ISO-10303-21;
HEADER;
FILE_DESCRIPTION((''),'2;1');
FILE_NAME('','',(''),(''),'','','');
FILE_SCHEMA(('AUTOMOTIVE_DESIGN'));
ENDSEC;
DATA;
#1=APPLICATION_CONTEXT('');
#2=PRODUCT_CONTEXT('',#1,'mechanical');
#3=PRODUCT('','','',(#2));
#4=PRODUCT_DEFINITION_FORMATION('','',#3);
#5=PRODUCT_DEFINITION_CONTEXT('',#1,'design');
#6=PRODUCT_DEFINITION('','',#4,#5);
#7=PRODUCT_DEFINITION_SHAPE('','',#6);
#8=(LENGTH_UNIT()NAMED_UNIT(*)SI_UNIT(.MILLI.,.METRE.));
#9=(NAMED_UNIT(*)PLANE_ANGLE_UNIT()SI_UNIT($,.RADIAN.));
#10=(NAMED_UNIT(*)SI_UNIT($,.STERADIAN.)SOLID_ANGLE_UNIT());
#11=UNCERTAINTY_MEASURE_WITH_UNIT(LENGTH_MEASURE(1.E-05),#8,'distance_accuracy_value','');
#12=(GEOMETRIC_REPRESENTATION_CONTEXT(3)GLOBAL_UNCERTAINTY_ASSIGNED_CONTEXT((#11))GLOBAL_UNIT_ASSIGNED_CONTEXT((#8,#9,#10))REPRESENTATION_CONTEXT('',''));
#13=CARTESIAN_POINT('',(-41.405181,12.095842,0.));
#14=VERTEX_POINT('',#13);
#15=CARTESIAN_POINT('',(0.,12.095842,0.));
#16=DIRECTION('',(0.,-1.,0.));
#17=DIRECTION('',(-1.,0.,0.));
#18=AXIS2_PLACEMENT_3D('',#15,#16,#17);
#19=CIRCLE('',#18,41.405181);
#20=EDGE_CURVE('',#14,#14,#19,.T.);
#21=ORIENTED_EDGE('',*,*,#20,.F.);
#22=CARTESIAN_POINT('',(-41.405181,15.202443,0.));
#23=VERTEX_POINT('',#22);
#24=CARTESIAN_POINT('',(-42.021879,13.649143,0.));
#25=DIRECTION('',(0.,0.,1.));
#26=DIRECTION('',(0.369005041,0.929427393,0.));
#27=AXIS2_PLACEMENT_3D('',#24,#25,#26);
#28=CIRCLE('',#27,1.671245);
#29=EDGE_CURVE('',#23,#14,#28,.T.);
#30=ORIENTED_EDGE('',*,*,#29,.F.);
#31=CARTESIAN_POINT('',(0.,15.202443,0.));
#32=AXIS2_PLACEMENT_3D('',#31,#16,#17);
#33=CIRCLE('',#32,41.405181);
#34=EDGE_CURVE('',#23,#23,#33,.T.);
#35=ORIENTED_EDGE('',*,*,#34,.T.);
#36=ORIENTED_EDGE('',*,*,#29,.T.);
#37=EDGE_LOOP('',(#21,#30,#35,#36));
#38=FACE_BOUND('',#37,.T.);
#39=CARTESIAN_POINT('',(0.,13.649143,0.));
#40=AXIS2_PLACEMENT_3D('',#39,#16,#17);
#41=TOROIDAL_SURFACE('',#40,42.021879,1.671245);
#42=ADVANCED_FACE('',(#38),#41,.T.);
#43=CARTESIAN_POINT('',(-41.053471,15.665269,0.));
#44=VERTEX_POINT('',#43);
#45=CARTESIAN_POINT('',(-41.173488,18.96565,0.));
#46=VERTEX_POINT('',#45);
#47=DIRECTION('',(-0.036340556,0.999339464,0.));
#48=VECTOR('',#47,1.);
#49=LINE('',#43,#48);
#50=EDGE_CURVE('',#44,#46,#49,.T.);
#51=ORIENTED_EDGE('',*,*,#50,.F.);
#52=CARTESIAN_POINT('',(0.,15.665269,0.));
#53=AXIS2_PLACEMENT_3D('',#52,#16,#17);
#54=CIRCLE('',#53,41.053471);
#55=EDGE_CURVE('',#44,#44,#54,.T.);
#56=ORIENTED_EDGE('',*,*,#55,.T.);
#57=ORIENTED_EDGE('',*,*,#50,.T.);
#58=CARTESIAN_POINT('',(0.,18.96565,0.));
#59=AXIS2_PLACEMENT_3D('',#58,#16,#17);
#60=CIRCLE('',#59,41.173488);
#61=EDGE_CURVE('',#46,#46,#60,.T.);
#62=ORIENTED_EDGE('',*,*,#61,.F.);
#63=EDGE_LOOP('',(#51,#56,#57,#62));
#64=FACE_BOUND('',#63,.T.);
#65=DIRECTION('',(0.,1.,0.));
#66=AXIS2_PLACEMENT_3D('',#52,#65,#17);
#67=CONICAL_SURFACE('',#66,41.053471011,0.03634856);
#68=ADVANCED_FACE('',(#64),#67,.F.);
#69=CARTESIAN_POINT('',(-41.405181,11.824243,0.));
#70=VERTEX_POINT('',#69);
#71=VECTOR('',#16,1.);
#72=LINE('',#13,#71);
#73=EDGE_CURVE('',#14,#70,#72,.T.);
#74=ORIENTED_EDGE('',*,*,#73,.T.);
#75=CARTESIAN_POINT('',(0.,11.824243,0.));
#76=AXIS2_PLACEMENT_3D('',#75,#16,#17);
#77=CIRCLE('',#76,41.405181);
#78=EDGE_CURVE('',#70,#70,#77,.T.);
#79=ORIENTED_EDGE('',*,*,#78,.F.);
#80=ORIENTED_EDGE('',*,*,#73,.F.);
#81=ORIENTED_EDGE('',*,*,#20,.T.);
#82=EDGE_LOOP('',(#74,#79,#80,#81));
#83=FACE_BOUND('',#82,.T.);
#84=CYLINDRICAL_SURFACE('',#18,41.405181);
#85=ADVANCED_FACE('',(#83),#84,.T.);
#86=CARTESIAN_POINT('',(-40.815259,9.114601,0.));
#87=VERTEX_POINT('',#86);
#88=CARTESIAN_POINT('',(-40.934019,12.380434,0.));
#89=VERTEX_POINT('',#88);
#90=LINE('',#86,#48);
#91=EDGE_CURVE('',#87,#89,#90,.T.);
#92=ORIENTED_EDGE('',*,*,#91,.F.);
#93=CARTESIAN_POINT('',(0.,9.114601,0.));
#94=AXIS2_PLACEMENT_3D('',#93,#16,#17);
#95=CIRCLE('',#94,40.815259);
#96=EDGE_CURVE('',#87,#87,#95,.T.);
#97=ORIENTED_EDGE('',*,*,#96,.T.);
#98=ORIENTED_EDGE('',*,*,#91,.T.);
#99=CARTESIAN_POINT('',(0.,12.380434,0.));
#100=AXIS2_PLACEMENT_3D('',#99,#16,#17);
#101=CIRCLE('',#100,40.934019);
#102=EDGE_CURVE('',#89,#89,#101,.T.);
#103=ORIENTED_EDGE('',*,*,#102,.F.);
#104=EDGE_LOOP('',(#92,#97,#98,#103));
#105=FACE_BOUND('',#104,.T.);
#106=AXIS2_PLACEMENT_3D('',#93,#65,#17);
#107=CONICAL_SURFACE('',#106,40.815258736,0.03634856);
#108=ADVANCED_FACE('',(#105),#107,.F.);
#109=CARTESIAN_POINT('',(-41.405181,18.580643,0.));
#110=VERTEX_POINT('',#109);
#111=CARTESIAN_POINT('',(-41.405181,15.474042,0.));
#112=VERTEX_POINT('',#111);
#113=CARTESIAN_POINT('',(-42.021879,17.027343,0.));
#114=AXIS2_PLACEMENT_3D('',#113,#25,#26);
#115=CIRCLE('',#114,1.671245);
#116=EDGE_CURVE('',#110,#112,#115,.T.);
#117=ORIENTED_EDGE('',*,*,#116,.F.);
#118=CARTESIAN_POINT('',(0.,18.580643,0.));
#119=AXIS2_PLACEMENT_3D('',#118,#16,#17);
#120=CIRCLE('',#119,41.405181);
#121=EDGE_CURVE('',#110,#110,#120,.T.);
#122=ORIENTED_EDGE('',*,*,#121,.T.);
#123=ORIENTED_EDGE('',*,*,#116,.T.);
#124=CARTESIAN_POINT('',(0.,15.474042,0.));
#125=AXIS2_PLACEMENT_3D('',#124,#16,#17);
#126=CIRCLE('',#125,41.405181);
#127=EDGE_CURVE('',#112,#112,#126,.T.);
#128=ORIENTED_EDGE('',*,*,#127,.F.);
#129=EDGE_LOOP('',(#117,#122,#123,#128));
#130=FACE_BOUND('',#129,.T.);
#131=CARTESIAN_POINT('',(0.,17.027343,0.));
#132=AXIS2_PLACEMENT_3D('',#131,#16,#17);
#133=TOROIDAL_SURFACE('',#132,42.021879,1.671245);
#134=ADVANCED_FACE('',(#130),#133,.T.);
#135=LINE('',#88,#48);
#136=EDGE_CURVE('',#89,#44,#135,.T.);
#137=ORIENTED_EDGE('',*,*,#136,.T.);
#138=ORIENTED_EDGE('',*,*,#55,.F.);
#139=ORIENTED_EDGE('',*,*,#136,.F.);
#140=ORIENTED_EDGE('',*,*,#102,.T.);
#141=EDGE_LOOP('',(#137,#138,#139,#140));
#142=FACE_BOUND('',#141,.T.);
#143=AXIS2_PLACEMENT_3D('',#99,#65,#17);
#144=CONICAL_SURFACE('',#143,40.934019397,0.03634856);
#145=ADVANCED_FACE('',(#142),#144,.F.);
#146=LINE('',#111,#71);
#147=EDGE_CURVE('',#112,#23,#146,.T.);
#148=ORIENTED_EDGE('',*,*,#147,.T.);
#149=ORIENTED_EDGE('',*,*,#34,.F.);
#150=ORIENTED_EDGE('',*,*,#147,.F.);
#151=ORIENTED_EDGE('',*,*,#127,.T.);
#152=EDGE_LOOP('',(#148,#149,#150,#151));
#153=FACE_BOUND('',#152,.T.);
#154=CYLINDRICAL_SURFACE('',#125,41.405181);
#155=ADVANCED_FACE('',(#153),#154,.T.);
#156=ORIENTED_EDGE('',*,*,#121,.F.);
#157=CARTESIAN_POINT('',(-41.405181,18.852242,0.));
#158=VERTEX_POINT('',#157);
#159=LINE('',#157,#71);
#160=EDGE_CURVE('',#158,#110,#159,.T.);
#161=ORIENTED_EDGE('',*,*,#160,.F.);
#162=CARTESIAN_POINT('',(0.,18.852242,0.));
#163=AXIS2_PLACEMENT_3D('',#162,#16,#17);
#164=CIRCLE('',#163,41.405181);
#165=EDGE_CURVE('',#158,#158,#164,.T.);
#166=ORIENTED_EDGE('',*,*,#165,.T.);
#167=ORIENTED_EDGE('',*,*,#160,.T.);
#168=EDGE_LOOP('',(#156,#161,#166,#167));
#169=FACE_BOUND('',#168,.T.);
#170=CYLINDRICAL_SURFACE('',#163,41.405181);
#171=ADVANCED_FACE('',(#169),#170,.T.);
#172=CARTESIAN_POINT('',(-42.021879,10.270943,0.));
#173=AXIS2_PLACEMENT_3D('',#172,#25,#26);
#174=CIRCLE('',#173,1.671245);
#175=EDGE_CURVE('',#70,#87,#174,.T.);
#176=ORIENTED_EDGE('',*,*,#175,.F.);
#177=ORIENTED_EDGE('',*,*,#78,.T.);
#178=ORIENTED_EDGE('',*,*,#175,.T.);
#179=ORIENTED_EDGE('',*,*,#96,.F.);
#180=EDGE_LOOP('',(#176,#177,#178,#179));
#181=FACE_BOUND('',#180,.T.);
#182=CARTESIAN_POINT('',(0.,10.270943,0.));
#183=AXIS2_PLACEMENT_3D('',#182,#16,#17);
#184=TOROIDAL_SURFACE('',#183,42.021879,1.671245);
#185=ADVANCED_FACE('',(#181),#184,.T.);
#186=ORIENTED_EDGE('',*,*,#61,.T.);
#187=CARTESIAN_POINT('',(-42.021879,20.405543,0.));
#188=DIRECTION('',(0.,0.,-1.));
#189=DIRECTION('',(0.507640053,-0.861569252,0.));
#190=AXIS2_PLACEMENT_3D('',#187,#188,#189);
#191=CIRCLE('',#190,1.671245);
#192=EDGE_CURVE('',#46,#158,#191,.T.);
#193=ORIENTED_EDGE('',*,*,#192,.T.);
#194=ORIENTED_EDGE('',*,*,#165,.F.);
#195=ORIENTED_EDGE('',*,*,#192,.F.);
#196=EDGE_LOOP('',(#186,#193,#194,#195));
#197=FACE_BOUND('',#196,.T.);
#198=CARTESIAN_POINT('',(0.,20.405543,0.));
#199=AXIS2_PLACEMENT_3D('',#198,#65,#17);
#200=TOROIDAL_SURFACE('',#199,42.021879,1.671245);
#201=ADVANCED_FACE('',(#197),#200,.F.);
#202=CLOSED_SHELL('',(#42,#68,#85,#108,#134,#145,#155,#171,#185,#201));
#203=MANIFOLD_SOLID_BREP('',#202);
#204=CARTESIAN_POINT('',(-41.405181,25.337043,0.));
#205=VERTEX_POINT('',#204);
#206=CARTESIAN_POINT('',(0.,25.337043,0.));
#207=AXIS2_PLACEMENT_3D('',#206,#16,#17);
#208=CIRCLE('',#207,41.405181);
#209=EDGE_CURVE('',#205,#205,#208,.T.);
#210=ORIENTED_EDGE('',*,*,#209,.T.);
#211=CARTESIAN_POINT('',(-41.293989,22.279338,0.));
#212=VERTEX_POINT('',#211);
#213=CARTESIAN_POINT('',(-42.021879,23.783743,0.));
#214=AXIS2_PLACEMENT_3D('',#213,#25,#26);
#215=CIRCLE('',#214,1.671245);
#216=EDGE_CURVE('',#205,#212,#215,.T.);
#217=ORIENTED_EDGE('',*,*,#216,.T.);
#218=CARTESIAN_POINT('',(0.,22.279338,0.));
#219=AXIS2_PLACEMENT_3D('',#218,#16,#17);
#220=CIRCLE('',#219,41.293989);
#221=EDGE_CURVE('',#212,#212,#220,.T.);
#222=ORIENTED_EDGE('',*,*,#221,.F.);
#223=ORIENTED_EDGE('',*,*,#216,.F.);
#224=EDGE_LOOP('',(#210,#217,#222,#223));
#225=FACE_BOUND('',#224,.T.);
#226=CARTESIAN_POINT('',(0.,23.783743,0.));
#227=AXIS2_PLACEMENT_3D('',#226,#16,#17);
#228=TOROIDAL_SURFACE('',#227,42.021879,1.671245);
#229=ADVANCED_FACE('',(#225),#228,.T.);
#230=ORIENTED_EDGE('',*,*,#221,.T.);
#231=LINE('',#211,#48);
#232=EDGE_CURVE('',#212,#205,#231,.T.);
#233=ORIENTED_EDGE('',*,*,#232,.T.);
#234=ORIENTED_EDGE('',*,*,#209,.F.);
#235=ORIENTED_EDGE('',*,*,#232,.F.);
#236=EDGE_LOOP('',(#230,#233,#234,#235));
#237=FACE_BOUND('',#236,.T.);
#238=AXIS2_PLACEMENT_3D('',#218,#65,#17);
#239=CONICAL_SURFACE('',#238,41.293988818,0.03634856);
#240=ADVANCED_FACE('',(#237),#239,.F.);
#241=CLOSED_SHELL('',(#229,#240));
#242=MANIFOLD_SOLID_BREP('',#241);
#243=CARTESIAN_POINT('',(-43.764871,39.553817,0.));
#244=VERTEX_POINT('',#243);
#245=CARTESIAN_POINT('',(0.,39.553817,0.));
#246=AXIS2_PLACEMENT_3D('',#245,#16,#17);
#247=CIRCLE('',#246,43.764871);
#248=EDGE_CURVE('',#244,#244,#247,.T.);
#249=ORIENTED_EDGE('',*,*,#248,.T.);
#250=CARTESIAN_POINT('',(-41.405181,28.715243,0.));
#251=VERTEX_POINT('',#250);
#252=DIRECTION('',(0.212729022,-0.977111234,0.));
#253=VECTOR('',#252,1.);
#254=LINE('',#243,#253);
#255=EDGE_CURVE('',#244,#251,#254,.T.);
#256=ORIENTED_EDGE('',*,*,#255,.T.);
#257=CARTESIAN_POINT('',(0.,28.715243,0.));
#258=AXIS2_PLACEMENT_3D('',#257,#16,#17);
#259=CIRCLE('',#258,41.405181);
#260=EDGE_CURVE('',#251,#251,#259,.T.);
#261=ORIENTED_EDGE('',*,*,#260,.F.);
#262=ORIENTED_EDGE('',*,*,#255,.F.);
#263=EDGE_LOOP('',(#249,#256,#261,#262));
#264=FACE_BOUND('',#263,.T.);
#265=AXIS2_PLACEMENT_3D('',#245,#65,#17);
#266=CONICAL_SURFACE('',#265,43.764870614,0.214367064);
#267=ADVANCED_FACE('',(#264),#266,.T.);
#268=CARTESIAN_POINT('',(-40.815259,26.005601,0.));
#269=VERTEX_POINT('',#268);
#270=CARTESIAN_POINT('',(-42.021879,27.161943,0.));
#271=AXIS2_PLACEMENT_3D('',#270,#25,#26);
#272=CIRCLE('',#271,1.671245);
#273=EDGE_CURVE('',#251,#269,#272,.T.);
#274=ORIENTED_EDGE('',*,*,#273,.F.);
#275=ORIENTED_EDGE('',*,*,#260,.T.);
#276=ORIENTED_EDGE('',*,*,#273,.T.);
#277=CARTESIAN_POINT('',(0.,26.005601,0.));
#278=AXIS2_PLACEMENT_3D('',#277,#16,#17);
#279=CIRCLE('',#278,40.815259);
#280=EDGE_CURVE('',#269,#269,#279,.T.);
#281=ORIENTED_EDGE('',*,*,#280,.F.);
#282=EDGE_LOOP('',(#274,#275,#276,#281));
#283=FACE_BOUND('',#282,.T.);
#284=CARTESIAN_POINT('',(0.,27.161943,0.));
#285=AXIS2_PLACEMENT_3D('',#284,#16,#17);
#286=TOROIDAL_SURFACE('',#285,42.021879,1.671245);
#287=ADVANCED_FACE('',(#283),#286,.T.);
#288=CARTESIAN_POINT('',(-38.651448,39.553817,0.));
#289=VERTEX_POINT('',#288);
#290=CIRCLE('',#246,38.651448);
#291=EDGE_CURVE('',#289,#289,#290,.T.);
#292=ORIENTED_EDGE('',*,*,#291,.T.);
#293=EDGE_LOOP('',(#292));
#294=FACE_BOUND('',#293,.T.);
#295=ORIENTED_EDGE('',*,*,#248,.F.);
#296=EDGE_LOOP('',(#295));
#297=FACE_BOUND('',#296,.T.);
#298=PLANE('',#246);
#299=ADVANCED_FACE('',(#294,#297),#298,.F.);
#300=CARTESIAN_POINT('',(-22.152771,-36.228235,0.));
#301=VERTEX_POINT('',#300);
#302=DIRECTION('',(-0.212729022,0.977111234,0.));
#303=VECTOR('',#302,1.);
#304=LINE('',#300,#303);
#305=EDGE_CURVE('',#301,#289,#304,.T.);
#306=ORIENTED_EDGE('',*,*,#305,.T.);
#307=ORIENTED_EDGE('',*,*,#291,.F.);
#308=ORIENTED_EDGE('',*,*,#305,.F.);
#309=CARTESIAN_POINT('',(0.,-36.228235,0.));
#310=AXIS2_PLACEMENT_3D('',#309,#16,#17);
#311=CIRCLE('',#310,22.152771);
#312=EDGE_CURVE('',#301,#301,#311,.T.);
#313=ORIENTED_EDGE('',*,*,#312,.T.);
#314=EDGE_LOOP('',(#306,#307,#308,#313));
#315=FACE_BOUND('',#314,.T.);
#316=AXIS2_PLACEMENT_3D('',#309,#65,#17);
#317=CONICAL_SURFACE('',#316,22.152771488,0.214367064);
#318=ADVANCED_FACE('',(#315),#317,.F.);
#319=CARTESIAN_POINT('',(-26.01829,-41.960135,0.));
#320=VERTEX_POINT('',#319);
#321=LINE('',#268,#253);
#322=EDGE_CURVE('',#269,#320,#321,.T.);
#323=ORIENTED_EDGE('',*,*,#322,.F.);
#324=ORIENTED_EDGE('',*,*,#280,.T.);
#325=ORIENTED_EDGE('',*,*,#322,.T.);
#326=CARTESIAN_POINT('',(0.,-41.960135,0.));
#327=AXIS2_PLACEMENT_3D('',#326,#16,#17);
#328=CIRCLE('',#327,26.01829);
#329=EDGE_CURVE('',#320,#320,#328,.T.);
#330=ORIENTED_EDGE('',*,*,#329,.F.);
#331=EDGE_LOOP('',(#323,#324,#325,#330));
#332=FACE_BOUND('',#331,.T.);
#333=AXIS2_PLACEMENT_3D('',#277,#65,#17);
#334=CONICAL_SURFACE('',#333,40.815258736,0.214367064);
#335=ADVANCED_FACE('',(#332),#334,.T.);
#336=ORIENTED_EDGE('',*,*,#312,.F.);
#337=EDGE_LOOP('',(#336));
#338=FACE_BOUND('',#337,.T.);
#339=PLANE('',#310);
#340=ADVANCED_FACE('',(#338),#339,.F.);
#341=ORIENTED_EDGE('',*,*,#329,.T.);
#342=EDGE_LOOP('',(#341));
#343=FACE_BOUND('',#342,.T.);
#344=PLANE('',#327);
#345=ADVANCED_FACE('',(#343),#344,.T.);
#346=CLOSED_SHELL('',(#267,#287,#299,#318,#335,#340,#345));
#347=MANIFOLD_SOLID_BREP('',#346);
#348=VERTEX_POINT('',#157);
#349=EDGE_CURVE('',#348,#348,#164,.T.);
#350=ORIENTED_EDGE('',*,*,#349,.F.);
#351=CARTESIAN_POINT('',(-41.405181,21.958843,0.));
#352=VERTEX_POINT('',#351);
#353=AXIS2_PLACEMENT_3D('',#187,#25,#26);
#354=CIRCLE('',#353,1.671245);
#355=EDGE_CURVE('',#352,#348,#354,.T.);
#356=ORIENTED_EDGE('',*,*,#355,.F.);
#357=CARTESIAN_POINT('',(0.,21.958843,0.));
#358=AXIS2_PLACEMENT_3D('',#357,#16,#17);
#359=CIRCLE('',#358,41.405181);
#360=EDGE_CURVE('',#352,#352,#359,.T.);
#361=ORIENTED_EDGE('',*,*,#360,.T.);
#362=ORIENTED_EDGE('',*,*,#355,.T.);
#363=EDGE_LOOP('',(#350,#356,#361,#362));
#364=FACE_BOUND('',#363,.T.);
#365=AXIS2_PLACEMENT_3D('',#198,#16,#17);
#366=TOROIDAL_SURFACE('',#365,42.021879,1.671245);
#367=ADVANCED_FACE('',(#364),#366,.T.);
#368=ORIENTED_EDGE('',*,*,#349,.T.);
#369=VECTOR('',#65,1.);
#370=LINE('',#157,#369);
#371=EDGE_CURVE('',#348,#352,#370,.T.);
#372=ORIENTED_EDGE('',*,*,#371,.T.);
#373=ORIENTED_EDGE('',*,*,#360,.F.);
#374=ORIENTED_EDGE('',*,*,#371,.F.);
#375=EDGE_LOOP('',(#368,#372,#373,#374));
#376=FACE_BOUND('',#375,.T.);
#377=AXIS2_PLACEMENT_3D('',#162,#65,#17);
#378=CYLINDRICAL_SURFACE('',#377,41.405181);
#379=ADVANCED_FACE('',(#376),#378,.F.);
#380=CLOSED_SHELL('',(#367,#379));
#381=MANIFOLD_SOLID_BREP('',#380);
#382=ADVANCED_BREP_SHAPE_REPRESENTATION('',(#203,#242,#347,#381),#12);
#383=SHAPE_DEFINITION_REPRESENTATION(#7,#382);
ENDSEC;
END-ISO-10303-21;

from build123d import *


with BuildPart() as f1:
    # F0 (on Top) → F1 (revolve)
    with BuildSketch(Plane.XY):
        Polygon((-38.6514477432, 39.5538173616), (-43.7648706138, 39.5538173616), (-41.4051810003, 28.7152434676), (-40.8152587359, 26.0056006323), (-26.0182898492, -41.9601351023), (0, -41.9601351023), (0, -36.228234955), (-22.1527714884, -36.228234955), align=None)
        with BuildLine():
            Line((-40.8152587359, 26.0056006323), (-41.4051810003, 28.7152434676))
            ThreePointArc((-41.4051810003, 28.7152434676), (-43.6548707754, 26.8064205388), (-40.8152587359, 26.0056006323))
        make_face()
    revolve(axis=Axis((0, -39.0941850286, 0), (0, -1, 0)))


with BuildPart() as f1b:
    # F0 (on Top) → F1, piece 2 (revolve)
    with BuildSketch(Plane.XY):
        with BuildLine():
            Line((-40.8152587359, 9.1146006323), (-40.9340193967, 12.3804343653))
            ThreePointArc((-40.9340193967, 12.3804343653), (-41.1578029934, 12.2186071845), (-41.4051810003, 12.0958421396))
            Line((-41.4051810003, 12.0958421396), (-41.4051810003, 11.8242434676))
            ThreePointArc((-41.4051810003, 11.8242434676), (-43.6548707754, 9.9154205388), (-40.8152587359, 9.1146006323))
        make_face()
        with BuildLine():
            Line((-41.4051810003, 12.0958421396), (-41.4051810003, 15.2024434676))
            ThreePointArc((-41.4051810003, 15.2024434676), (-43.6931235063, 13.6491428036), (-41.4051810003, 12.0958421396))
        make_face()
        with BuildLine():
            Line((-41.4051810003, 15.4740421396), (-41.4051810003, 18.5806434676))
            ThreePointArc((-41.4051810003, 18.5806434676), (-43.6931235063, 17.0273428036), (-41.4051810003, 15.4740421396))
        make_face()
        with BuildLine():
            Line((-40.9340193967, 12.3804343653), (-41.0534710109, 15.665268825))
            ThreePointArc((-41.0534710109, 15.665268825), (-41.2235794552, 15.5590862505), (-41.4051810003, 15.4740421396))
            Line((-41.4051810003, 15.4740421396), (-41.4051810003, 15.2024434676))
            Line((-41.4051810003, 15.2024434676), (-41.4051810003, 12.0958421396))
            ThreePointArc((-41.4051810003, 12.0958421396), (-41.1578029934, 12.2186071845), (-40.9340193967, 12.3804343653))
        make_face()
        with BuildLine():
            Line((-41.0534710109, 15.665268825), (-41.173487964, 18.9656497018))
            ThreePointArc((-41.173487964, 18.9656497018), (-41.2871431355, 18.9044689727), (-41.4051810003, 18.8522421396))
            Line((-41.4051810003, 18.8522421396), (-41.4051810003, 18.5806434676))
            Line((-41.4051810003, 18.5806434676), (-41.4051810003, 15.4740421396))
            ThreePointArc((-41.4051810003, 15.4740421396), (-41.2235794552, 15.5590862505), (-41.0534710109, 15.665268825))
        make_face()
    revolve(axis=Axis((0, -39.0941850286, 0), (0, -1, 0)))


with BuildPart() as f1c:
    # F0 (on Top) → F1, piece 3 (revolve)
    with BuildSketch(Plane.XY):
        with BuildLine():
            Line((-41.2939888176, 22.2793375008), (-41.4051810003, 25.3370434676))
            ThreePointArc((-41.4051810003, 25.3370434676), (-43.6920195887, 23.723008839), (-41.2939888176, 22.2793375008))
        make_face()
    revolve(axis=Axis((0, -39.0941850286, 0), (0, -1, 0)))


with BuildPart() as f1d:
    # F0 (on Top) → F1, piece 4 (revolve)
    with BuildSketch(Plane.XY):
        with BuildLine():
            ThreePointArc((-41.4051810003, 21.9588434676), (-43.6931235063, 20.4055428036), (-41.4051810003, 18.8522421396))
            Line((-41.4051810003, 18.8522421396), (-41.4051810003, 21.9588434676))
        make_face()
    revolve(axis=Axis((0, -39.0941850286, 0), (0, -1, 0)))


solid = Compound([f1.part, f1b.part, f1c.part, f1d.part])
